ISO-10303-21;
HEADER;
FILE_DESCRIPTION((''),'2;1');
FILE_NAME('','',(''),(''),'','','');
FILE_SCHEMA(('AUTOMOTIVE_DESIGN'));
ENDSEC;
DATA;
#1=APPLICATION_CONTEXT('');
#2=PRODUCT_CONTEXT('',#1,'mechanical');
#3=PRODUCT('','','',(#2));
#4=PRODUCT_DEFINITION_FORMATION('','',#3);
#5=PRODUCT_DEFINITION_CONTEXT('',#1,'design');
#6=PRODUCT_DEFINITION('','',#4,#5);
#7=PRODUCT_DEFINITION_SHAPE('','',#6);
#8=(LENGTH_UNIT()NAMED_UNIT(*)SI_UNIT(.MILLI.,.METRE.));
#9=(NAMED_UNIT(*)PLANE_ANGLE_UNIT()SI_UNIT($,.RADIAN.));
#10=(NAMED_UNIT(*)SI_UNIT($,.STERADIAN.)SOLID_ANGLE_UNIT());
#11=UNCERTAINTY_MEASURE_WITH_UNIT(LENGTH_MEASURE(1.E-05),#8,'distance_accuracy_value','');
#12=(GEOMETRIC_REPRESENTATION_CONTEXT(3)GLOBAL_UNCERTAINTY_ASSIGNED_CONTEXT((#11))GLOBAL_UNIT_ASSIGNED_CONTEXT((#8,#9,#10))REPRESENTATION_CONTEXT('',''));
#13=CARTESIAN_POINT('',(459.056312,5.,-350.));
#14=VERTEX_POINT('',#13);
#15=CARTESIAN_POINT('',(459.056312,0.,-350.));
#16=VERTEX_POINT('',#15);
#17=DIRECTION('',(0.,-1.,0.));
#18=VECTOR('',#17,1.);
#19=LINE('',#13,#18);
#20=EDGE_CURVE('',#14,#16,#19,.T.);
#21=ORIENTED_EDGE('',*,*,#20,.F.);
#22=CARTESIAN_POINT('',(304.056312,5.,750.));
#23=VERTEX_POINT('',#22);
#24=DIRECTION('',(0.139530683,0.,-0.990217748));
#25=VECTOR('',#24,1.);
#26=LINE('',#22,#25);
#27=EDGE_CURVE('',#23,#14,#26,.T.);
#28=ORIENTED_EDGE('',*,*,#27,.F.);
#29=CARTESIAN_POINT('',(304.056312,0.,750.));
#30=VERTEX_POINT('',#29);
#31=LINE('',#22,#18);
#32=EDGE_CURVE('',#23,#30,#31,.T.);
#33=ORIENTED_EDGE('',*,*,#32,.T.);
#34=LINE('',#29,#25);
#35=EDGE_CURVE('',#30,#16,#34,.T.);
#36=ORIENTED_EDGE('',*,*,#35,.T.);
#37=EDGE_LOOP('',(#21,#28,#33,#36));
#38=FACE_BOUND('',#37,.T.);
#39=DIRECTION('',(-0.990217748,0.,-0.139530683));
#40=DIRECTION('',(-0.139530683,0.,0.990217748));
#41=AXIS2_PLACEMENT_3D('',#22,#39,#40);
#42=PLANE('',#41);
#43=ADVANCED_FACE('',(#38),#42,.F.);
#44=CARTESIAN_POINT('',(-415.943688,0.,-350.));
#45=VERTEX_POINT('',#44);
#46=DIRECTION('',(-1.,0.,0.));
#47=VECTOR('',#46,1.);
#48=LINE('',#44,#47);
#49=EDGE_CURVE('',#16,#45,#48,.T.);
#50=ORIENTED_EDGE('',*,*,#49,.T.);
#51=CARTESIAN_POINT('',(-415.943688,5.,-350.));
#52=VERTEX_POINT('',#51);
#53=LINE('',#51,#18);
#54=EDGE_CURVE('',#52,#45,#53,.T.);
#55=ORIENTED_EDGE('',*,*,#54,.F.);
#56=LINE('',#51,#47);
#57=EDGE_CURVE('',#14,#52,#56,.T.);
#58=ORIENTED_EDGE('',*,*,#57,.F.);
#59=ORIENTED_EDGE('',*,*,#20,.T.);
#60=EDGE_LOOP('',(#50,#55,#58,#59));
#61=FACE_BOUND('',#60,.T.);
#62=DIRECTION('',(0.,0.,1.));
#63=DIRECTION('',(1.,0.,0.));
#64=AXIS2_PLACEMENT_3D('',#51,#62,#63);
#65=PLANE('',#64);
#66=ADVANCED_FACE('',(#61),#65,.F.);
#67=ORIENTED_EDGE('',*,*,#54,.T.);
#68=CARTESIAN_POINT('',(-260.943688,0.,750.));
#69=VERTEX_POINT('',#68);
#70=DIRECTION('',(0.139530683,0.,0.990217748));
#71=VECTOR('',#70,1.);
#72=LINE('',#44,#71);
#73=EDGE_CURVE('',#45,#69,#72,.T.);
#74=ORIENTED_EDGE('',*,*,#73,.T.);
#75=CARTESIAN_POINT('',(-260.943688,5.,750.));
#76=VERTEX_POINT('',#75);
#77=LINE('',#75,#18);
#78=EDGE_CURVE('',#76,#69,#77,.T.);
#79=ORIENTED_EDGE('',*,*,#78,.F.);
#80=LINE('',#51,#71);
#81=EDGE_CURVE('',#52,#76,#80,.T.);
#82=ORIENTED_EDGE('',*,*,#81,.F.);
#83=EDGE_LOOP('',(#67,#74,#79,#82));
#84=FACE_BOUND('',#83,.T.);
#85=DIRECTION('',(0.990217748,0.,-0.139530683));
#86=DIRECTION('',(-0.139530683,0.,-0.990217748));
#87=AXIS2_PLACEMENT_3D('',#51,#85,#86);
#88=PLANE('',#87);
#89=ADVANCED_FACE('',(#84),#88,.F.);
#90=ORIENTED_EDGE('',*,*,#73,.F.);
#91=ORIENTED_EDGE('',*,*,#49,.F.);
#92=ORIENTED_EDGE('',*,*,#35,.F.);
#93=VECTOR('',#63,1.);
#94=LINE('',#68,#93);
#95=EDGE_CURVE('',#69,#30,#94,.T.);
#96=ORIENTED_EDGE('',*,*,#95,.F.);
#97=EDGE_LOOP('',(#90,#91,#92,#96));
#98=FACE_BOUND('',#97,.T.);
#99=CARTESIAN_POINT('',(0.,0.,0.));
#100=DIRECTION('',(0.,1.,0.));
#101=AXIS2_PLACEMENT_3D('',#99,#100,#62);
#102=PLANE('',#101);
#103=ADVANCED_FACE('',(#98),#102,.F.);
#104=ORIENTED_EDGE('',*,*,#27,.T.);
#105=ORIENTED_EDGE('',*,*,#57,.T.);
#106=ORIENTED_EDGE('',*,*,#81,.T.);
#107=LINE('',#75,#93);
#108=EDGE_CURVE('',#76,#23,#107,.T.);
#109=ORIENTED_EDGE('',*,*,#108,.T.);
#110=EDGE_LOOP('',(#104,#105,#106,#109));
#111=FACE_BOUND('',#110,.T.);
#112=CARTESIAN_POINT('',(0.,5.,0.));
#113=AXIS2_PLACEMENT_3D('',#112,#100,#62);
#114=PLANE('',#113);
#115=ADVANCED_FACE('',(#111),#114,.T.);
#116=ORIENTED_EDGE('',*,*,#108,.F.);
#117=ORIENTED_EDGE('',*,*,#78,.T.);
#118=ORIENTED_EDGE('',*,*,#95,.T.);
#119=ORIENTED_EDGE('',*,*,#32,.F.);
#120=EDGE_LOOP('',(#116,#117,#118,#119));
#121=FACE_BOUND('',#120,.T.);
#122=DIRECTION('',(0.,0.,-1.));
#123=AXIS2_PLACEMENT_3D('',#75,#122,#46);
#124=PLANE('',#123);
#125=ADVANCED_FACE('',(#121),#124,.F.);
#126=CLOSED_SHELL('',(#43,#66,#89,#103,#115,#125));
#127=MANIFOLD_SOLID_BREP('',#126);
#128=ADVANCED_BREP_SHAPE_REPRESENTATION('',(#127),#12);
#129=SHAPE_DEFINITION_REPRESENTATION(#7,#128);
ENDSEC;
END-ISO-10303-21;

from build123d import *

# Parameters (mm, degrees)
BOSS_EXTRUDE1_DEPTH = 5


with BuildPart() as part:
    # Sketch1 → Boss-Extrude1 (new body)
    with BuildSketch(Plane(origin=(0, 0, 0), x_dir=(1, 0, 0), z_dir=(0, 1, 0))):
        Polygon((-415.943687572, 350), (-260.943687572, -750), (304.056312428, -750), (459.056312428, 350), align=None)
    extrude(amount=BOSS_EXTRUDE1_DEPTH)


solid = part.part
